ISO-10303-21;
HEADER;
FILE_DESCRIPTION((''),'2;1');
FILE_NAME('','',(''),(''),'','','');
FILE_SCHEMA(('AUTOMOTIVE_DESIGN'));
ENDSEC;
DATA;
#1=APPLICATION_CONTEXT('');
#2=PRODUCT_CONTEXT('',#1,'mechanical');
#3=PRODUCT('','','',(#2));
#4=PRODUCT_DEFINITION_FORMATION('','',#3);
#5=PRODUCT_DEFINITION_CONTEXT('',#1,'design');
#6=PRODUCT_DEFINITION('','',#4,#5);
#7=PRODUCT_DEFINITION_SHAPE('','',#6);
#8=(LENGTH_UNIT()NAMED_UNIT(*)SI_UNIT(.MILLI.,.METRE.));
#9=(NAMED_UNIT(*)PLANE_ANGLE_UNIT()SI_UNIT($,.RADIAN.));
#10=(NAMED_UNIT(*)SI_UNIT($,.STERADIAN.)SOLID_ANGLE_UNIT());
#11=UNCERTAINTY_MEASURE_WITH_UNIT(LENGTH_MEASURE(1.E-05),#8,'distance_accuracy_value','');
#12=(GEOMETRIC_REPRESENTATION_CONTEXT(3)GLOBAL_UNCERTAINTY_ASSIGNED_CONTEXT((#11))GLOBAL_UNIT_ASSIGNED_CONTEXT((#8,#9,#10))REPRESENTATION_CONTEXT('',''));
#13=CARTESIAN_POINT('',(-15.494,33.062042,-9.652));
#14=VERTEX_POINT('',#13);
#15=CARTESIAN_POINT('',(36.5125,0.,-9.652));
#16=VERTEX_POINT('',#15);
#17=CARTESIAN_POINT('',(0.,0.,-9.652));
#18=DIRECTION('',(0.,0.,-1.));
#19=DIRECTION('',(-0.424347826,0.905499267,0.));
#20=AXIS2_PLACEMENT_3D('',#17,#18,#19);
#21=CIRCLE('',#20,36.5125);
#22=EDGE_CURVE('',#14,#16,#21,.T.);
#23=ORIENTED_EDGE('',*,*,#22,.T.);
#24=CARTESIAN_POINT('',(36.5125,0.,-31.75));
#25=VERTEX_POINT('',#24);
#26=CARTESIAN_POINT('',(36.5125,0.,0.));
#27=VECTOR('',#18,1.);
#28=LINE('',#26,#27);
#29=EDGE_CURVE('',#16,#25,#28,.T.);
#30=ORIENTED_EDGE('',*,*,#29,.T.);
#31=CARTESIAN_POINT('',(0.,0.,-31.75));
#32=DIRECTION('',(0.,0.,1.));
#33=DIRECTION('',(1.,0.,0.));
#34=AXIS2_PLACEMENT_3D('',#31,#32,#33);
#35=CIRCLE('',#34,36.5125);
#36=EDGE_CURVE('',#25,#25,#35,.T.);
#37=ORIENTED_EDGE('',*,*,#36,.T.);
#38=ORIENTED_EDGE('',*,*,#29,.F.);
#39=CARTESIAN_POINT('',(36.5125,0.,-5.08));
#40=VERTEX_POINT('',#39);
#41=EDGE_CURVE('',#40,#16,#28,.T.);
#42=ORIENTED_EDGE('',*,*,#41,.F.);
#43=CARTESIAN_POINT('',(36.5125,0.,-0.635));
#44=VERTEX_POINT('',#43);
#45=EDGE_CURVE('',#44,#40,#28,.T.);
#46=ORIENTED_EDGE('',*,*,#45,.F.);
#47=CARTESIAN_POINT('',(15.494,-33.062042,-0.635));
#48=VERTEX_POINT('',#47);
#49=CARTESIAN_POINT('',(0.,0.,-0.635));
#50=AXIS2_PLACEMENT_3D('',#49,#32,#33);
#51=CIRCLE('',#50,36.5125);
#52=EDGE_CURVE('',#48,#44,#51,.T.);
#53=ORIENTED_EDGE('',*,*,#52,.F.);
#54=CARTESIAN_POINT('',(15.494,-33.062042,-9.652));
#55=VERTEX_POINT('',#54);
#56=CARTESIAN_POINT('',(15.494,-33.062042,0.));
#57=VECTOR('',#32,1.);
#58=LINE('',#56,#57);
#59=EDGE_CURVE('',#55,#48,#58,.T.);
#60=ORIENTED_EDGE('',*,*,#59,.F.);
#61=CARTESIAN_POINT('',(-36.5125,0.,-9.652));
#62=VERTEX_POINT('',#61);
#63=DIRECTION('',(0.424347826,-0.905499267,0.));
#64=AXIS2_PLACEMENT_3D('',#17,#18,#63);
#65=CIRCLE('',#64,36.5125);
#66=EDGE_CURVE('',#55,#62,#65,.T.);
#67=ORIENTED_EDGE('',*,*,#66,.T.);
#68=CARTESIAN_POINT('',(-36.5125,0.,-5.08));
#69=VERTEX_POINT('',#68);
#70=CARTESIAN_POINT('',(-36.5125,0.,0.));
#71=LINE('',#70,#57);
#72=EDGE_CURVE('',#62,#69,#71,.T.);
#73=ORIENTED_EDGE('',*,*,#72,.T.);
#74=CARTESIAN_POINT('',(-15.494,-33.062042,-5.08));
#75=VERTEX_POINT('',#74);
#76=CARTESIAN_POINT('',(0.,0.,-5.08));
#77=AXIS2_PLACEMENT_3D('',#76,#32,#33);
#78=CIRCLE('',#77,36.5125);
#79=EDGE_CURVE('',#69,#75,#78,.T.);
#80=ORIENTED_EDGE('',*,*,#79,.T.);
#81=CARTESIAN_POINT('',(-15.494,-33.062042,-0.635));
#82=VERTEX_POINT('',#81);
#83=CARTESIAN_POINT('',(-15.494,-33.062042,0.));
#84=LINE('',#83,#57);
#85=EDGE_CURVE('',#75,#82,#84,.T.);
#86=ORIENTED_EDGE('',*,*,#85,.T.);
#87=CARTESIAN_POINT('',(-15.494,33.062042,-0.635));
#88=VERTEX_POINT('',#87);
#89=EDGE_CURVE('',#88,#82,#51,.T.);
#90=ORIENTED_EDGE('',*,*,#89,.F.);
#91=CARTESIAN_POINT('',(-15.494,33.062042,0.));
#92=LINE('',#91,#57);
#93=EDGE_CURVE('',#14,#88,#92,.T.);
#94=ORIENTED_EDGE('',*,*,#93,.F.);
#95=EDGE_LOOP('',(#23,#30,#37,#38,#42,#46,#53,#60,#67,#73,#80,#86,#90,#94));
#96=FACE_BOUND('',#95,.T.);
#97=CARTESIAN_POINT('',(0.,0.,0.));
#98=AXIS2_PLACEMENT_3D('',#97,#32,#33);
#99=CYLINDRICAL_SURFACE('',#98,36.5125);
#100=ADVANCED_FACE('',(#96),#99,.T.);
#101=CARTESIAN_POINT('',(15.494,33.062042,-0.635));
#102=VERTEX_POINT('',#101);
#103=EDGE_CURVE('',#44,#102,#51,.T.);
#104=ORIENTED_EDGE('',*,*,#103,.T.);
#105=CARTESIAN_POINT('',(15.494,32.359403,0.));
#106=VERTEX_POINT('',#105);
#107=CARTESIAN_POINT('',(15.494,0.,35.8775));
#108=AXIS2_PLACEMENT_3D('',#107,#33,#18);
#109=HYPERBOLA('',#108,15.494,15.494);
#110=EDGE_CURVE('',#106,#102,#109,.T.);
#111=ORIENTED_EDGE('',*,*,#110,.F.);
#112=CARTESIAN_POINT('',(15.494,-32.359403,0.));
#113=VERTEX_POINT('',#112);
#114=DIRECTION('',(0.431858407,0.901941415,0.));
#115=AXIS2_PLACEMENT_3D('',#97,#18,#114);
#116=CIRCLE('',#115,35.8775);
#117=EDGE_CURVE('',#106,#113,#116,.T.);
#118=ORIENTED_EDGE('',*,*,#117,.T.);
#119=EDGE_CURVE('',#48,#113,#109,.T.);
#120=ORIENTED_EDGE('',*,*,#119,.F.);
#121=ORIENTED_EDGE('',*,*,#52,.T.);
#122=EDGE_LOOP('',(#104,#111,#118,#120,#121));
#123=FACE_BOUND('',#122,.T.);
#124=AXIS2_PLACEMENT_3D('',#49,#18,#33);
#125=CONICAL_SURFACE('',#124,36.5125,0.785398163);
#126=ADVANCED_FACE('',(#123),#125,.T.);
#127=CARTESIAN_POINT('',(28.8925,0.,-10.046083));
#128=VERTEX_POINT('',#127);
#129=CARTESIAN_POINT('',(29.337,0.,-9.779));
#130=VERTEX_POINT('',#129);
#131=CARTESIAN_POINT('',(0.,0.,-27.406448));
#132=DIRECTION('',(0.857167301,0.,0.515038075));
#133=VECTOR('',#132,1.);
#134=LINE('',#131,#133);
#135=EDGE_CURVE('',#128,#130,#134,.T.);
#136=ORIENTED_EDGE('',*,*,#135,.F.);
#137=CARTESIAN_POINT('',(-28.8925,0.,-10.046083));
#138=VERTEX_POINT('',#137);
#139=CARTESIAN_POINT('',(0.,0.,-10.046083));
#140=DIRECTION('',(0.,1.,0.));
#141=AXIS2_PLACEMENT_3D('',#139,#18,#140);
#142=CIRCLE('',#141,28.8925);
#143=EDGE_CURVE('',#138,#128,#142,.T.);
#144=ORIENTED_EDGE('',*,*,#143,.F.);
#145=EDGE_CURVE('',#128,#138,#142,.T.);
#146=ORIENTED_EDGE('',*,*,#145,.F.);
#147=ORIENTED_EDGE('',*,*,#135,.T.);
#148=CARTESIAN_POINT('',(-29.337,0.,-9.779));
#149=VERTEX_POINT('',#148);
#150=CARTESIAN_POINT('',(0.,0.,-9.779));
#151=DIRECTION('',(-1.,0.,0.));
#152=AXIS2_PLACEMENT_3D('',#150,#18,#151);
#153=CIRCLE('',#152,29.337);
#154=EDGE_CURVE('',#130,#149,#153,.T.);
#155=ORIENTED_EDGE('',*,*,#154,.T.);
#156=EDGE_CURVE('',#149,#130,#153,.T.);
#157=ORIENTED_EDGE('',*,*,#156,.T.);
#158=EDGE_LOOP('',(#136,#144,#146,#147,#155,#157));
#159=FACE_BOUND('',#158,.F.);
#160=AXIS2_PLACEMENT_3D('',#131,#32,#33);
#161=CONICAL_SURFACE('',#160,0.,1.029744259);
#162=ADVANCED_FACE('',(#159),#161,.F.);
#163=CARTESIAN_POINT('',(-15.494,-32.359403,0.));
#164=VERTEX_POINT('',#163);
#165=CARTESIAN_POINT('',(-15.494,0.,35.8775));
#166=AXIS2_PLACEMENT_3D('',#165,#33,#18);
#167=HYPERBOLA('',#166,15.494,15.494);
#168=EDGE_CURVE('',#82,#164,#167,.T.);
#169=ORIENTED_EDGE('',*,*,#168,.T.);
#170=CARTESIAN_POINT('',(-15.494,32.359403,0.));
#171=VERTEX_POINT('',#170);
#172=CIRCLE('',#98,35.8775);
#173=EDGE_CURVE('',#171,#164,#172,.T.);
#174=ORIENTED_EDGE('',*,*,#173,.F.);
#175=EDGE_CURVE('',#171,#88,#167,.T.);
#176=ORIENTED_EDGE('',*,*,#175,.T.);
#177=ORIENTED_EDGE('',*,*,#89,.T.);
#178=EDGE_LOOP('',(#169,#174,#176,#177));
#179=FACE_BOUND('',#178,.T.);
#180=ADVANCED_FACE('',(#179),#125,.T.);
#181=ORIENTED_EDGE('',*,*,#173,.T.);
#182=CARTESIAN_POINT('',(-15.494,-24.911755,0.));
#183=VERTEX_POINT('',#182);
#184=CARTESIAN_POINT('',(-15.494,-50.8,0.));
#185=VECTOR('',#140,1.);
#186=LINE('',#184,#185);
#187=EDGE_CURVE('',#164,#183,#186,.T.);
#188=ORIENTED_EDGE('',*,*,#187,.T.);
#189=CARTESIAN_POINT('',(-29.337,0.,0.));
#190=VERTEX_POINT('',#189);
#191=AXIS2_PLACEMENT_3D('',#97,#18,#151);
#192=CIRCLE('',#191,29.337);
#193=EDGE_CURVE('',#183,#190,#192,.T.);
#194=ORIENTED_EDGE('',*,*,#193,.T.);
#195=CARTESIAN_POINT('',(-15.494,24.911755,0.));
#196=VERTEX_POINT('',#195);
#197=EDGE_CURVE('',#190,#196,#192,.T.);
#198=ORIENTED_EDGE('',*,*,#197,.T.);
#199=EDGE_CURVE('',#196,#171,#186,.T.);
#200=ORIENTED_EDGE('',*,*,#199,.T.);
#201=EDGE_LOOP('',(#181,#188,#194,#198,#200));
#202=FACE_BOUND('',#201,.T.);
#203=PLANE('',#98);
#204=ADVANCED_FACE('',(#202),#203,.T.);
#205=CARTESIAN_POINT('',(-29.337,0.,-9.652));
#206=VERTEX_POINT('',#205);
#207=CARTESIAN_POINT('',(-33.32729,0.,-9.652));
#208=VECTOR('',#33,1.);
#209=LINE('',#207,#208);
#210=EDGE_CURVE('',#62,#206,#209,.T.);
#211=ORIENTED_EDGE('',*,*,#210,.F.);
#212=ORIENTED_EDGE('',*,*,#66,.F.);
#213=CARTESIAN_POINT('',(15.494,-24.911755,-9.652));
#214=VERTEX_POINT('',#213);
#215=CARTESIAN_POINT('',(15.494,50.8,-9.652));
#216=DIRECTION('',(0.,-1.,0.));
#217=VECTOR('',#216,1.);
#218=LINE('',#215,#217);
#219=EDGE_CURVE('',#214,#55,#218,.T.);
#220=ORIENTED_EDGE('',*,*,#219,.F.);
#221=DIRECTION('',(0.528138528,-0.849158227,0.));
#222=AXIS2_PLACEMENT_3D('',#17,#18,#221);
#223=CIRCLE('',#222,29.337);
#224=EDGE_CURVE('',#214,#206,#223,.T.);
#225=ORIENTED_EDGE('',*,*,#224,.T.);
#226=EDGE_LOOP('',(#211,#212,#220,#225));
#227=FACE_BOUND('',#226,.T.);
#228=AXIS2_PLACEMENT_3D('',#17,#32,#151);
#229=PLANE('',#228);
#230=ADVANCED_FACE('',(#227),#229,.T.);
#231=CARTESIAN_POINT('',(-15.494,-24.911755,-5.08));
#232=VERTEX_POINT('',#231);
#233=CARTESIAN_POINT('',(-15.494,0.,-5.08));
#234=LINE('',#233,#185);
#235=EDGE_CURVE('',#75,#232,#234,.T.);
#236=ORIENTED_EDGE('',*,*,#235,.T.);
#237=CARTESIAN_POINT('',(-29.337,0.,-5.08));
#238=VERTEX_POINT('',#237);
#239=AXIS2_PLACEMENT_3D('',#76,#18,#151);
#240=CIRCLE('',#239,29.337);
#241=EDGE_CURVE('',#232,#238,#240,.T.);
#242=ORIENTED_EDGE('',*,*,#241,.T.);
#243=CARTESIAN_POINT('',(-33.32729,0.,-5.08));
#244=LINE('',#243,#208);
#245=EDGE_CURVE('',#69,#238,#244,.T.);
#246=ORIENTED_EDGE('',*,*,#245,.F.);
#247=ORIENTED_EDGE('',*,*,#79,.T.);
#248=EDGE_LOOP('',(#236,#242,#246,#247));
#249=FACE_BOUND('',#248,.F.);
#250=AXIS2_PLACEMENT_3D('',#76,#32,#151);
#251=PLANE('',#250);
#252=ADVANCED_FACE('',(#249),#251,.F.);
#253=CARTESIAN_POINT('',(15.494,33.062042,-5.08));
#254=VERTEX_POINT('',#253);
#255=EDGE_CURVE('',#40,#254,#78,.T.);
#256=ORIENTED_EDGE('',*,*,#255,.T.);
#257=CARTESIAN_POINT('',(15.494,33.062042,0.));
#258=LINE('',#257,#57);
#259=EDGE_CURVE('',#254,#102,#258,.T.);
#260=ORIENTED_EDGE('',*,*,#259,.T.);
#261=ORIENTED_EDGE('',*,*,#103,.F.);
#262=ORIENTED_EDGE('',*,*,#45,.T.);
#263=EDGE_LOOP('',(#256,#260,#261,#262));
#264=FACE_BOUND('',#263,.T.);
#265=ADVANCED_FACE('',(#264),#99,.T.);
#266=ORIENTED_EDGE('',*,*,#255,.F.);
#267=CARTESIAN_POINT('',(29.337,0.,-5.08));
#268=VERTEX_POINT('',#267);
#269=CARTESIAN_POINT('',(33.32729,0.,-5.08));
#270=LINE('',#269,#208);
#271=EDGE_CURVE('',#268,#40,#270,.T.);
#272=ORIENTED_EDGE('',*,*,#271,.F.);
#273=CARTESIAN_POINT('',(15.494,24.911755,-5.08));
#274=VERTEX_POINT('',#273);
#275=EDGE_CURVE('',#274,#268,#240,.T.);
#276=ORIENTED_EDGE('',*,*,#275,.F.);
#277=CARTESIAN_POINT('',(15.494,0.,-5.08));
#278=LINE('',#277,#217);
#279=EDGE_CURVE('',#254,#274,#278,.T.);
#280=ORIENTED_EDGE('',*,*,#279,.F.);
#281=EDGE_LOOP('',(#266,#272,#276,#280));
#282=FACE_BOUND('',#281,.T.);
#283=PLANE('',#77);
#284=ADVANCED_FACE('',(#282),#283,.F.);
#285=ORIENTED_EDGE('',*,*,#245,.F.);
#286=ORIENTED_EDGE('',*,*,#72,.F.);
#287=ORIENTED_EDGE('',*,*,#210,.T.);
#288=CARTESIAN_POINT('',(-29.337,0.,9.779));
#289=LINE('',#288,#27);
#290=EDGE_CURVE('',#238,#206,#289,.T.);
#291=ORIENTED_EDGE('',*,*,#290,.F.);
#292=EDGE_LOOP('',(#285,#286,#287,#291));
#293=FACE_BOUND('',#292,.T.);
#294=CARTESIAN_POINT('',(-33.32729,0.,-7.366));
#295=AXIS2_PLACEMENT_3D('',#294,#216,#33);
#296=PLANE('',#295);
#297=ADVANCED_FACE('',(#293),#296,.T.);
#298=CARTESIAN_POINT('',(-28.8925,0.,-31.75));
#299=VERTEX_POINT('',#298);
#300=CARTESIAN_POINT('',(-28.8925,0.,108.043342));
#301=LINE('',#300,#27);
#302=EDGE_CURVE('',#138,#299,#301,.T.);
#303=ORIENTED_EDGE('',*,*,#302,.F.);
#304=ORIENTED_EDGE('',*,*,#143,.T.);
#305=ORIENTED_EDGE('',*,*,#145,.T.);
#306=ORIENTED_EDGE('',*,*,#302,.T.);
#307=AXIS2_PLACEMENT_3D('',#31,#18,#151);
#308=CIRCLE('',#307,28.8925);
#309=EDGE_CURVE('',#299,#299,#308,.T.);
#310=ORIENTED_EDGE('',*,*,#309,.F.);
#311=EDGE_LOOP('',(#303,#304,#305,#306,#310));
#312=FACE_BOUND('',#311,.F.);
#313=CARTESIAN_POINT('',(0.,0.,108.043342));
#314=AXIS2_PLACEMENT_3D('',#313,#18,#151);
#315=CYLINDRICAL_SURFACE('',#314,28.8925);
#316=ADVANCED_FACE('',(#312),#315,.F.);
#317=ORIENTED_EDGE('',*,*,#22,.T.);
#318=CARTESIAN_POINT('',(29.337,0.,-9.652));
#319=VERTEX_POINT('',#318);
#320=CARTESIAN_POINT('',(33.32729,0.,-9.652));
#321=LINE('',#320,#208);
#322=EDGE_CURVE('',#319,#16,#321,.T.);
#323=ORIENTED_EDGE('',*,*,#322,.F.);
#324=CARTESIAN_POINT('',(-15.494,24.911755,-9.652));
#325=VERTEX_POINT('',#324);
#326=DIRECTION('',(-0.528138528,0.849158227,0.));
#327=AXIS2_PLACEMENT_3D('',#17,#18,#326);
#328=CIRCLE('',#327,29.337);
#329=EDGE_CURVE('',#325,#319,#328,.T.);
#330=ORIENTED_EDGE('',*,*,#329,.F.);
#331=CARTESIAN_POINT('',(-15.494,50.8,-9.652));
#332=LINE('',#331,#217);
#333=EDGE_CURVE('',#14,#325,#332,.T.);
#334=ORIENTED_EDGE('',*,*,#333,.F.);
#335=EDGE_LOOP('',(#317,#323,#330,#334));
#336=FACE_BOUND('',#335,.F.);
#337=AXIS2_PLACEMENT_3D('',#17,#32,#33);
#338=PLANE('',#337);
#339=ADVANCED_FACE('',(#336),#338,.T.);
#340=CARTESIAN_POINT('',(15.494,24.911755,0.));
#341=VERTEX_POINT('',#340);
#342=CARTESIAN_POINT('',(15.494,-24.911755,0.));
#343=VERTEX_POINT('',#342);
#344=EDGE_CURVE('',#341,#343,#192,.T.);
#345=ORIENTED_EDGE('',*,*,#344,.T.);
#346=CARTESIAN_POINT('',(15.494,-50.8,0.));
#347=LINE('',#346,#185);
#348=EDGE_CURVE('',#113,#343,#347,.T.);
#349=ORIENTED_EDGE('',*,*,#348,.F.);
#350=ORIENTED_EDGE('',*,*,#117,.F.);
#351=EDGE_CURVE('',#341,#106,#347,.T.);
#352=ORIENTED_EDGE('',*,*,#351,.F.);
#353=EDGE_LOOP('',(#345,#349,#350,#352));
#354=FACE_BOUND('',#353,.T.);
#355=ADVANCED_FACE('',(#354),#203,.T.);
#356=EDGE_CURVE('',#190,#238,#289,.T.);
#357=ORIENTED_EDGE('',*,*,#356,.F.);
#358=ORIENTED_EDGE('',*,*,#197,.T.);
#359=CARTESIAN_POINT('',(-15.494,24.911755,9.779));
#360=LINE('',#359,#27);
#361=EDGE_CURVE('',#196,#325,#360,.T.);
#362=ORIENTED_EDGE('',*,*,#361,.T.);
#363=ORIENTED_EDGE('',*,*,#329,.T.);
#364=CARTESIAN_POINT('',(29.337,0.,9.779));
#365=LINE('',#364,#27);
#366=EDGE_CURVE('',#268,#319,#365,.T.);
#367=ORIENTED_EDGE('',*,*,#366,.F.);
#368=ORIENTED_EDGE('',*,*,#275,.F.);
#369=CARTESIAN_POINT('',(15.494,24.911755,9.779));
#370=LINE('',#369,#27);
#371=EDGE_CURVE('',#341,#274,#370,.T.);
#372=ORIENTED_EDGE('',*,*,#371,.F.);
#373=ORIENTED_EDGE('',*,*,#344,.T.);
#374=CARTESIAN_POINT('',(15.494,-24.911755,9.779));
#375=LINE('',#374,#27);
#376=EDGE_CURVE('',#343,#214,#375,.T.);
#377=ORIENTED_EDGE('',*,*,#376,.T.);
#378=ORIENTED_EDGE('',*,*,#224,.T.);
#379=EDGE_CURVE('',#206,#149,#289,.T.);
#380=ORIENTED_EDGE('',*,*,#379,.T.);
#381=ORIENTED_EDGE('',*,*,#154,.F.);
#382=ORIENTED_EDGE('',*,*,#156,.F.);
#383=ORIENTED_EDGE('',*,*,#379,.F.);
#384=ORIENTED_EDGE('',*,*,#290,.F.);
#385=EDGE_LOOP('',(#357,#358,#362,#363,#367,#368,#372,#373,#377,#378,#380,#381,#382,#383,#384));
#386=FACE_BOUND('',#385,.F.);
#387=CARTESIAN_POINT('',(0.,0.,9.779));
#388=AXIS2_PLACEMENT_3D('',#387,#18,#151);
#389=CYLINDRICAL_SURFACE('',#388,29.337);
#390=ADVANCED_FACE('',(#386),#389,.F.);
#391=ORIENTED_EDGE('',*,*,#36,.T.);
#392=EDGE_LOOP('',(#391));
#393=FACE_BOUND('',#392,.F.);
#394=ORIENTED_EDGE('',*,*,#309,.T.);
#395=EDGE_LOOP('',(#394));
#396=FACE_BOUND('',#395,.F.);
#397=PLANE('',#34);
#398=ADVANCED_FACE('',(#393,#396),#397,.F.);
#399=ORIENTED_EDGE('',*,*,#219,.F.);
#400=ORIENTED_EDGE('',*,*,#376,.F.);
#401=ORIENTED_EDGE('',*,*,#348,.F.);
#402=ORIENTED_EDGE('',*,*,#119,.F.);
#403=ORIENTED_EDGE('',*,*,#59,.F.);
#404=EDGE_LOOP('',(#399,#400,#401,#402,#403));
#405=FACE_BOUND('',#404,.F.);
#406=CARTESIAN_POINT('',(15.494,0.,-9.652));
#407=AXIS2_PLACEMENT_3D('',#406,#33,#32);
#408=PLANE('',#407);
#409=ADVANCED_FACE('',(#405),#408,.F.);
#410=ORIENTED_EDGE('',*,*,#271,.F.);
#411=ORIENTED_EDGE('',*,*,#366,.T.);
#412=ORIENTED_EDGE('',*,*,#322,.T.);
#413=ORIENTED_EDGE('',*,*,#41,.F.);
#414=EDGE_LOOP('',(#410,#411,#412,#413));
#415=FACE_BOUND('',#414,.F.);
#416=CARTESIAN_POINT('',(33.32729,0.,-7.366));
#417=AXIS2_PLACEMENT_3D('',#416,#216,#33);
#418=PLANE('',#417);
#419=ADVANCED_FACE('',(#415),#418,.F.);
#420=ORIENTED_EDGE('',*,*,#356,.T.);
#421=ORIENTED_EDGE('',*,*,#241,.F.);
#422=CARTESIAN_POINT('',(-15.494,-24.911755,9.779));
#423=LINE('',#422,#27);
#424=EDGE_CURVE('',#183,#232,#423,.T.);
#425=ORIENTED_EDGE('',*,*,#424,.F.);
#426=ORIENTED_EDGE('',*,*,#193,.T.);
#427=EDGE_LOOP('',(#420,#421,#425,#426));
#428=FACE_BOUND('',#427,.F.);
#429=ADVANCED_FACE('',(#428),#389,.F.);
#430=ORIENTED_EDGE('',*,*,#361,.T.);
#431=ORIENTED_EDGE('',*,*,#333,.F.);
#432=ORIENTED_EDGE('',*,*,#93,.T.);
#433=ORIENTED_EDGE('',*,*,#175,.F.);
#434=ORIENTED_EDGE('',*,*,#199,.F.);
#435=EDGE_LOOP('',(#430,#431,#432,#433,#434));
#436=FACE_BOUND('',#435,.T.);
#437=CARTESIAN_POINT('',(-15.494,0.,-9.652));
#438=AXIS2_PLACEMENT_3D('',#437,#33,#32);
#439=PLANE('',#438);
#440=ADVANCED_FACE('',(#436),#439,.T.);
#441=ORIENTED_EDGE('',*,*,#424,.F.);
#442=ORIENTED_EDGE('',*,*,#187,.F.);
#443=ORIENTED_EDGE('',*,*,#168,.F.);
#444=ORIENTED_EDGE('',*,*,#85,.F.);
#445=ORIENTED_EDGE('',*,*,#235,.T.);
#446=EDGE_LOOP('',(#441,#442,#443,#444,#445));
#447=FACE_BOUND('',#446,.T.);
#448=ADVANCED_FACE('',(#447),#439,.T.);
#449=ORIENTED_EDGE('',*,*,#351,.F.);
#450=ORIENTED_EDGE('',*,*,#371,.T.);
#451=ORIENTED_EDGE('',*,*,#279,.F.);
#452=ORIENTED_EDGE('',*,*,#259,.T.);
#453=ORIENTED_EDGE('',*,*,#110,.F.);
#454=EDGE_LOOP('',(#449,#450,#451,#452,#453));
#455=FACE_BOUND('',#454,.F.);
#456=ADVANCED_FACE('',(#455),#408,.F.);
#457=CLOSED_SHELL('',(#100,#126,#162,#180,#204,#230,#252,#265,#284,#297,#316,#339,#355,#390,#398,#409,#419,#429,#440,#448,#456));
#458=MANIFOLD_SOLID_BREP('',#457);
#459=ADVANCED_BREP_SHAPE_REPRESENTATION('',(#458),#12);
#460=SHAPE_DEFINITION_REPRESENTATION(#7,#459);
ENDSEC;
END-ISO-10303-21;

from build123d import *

# Parameters (mm, degrees)
F0_R      = 36.5125
F1_DEPTH  = 31.75
F2_D      = 57.785
F3_D      = 58.674
F3_DEPTH  = 9.779
F3_TIP    = 17.6274479804
F4_SIZE   = 0.635
F7_W      = 19.3039988202
F7_H      = 4.572
F8_ANGLE  = 90
F9_W      = 30.988
F9_H      = 9.652
F10_DEPTH = 50.8


with BuildPart() as f1:
    # F0 (on Top) → F1 (new body)
    with BuildSketch(Plane.XY):
        Circle(F0_R)
    extrude(amount=-F1_DEPTH)

    # F2 (through all)
    with Locations(Plane.XY):
        with Locations((0, 0)):
            Hole(F2_D / 2)

    # F3
    with Locations(Plane.XY):
        with Locations((0, 0)):
            Hole(F3_D / 2, depth=F3_DEPTH)
            with Locations((0, 0, -(F3_DEPTH + F3_TIP / 2))):  # 118° drill point
                Cone(0, F3_D / 2, F3_TIP, mode=Mode.SUBTRACT)

    # F4
    f4_edges = [f1.edges().sort_by_distance(p)[0] for p in [
        (-36.5125, 0, 0),
    ]]
    chamfer(f4_edges, length=F4_SIZE)

    # F7 (on Front) → F8 (revolve, cut)
    with BuildSketch(Plane.XZ):
        with Locations((-33.327289857, -7.366)):
            Rectangle(F7_W, F7_H)
        with Locations((33.327289857, -7.366)):
            Rectangle(F7_W, F7_H)
    revolve(axis=Axis((0, 0, -17.7771920571), (0, 0, 1)), revolution_arc=F8_ANGLE, mode=Mode.SUBTRACT)

    # F9 (on Front) → F10 (cut, symmetric)
    with BuildSketch(Plane.XZ):
        with Locations((0, -4.826)):
            Rectangle(F9_W, F9_H)
    extrude(amount=F10_DEPTH, both=True, mode=Mode.SUBTRACT)


solid = f1.part
